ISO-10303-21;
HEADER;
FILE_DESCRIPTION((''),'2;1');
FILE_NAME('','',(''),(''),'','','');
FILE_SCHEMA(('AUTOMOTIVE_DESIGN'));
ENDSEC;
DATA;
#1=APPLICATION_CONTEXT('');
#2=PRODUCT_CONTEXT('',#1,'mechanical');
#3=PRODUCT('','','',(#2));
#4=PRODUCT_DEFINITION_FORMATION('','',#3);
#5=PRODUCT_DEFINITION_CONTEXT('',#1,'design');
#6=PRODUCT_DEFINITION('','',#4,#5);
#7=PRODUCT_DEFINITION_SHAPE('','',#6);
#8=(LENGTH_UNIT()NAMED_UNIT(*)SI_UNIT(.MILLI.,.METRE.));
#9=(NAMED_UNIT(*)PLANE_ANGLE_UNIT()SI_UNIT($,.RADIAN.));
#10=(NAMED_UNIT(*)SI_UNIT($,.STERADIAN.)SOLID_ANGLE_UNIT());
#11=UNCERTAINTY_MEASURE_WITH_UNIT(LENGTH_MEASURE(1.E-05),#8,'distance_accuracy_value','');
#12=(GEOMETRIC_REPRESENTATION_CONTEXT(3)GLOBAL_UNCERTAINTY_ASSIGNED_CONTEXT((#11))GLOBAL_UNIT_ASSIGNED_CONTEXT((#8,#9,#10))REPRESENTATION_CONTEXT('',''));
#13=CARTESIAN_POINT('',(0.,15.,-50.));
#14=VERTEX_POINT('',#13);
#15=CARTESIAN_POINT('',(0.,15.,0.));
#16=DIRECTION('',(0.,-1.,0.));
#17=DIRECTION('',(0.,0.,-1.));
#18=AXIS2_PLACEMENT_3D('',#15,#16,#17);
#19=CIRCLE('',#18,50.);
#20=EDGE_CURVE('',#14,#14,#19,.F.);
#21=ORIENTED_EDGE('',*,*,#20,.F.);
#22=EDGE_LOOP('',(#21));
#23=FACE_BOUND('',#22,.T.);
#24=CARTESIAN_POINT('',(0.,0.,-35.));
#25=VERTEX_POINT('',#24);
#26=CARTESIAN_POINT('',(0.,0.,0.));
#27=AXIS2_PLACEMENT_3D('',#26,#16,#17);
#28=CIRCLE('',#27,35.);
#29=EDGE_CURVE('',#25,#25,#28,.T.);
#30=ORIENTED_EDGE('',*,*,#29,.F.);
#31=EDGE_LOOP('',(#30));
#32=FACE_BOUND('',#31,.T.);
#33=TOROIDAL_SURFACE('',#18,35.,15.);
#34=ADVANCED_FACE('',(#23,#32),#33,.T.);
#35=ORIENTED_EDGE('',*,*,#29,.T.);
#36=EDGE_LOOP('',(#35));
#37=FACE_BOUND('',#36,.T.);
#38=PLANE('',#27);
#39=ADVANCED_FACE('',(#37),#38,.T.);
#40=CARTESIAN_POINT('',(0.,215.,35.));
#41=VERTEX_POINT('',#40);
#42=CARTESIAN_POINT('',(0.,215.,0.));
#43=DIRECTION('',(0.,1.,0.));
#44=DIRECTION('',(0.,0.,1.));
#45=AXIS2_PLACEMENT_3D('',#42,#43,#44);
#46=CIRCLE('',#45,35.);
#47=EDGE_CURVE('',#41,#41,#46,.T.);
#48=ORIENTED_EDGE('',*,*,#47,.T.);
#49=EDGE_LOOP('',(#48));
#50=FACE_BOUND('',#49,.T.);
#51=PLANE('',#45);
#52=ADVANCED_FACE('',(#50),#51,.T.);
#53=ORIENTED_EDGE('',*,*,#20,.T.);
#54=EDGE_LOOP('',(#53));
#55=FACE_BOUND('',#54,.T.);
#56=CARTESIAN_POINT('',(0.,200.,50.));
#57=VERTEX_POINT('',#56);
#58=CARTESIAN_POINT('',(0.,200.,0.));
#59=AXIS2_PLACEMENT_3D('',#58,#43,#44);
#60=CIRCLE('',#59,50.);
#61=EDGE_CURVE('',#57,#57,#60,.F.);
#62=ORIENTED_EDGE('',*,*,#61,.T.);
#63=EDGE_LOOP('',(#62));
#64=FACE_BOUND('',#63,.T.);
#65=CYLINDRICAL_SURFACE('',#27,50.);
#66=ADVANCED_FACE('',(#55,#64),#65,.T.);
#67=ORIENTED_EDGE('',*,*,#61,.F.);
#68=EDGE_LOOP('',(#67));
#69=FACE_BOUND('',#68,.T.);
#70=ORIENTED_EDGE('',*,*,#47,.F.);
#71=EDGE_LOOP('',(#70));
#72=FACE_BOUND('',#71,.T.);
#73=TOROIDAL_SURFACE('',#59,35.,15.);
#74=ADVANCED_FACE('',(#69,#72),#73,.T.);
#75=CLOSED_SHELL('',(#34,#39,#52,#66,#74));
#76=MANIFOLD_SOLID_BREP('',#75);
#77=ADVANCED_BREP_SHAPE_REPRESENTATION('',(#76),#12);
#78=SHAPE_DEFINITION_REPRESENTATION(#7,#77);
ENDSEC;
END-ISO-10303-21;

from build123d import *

# Parameters (mm, degrees)
SKETCH_1_W = 50
SKETCH_1_H = 215
FILLET_1_R = 15


with BuildPart() as part:
    # Эскиз1 → Повернуть1 (revolve)
    with BuildSketch(Plane.XY, mode=Mode.PRIVATE) as revolve_1_sk:
        with Locations((25, 107.5)):
            Rectangle(SKETCH_1_W, SKETCH_1_H)
    revolve(revolve_1_sk.sketch.rotate(Axis((0, 0, 0), (0, 1, 0)), 90), axis=Axis((0, 0, 0), (0, 1, 0)))

    # Скругление1
    fillet_1_edges = [part.edges().sort_by_distance(p)[0] for p in [
        (0, 0, 50),
        (0, 215, 50),
    ]]
    fillet(fillet_1_edges, radius=FILLET_1_R)


solid = part.part
